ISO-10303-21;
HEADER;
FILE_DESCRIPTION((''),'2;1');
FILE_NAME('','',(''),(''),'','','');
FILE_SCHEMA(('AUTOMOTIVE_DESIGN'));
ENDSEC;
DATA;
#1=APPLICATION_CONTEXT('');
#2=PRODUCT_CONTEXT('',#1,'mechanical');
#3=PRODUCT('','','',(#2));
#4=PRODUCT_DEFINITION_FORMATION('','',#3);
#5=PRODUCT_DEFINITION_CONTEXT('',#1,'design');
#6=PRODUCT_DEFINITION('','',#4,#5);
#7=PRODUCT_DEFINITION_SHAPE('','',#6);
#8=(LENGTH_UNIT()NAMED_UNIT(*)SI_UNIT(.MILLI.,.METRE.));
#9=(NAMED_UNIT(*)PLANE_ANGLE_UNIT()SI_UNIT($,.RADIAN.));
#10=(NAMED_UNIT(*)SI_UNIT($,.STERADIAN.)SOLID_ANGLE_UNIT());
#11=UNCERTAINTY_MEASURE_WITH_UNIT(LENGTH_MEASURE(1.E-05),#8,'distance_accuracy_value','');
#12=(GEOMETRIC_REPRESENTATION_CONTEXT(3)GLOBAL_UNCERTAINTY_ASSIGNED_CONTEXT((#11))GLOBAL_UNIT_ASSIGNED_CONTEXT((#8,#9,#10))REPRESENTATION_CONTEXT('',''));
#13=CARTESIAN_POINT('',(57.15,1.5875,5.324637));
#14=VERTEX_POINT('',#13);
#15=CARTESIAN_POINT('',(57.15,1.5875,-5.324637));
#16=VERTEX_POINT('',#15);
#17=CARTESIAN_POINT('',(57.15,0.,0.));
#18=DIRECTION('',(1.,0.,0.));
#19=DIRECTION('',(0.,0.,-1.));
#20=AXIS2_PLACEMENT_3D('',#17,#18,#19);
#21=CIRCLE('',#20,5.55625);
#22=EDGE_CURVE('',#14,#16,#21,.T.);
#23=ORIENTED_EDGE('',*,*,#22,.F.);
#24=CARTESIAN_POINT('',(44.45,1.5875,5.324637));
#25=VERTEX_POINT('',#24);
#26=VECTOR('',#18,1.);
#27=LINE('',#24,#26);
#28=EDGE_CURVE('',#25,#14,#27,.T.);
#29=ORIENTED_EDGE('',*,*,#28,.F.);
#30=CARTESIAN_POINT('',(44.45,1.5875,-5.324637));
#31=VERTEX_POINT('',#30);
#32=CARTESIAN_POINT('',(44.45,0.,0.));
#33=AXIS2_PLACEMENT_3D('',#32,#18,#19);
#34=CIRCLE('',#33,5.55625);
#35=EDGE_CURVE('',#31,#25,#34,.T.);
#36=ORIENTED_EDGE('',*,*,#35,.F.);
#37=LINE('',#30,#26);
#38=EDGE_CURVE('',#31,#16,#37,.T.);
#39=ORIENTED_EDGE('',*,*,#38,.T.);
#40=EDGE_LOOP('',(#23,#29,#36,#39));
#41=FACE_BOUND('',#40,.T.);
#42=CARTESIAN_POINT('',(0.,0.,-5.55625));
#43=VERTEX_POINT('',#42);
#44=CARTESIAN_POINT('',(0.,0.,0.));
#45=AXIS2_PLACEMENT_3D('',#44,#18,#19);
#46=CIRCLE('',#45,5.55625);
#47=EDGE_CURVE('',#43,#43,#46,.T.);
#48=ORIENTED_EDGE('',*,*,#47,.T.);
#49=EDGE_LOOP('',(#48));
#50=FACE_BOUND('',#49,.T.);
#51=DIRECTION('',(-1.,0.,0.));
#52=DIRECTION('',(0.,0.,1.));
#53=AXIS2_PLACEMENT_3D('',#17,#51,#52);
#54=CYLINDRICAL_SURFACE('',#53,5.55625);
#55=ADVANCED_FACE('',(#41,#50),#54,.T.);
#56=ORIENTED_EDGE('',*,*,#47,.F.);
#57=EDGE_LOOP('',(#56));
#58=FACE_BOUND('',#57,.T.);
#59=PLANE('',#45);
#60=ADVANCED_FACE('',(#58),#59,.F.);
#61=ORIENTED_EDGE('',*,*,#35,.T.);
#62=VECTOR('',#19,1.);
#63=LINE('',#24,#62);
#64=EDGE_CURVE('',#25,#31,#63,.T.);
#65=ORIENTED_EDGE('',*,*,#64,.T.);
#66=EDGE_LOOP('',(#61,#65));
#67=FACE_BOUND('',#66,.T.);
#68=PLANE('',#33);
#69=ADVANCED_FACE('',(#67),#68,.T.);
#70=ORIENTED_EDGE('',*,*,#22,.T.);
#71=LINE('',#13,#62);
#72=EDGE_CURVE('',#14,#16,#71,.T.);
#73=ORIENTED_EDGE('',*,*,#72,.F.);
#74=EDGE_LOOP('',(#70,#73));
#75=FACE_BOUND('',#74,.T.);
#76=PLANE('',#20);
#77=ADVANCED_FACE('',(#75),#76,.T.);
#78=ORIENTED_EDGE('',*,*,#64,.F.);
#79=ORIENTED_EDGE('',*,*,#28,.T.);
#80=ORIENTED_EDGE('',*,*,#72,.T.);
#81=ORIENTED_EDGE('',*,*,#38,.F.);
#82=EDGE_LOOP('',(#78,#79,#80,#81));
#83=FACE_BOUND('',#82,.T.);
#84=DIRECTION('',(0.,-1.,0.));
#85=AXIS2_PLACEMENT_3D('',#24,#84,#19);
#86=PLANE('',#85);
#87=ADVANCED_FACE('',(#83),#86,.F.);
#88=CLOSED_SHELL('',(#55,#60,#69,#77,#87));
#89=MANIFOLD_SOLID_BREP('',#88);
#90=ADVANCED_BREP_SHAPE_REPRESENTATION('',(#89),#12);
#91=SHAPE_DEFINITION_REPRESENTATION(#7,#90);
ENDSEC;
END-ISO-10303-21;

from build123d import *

# Parameters (mm, degrees)
SKETCH1_R          = 5.55625
BASE_EXTRUDE_DEPTH = 57.15
CUT_EXTRUDE1_DEPTH = 12.7


with BuildPart() as part:
    # Sketch1 → Base-Extrude (new body)
    with BuildSketch(Plane(origin=(0, 0, 0), x_dir=(0, 0, -1), z_dir=(1, 0, 0))):
        Circle(SKETCH1_R)
    extrude(amount=BASE_EXTRUDE_DEPTH)

    # Sketch2 → Cut-Extrude1 (cut)
    with BuildSketch(Plane(origin=(57.15, 0, 0), x_dir=(0, 0, -1), z_dir=(1, 0, 0))):
        with BuildLine():
            Line((-5.324636871, 1.5875), (5.324636871, 1.5875))
            ThreePointArc((5.324636871, 1.5875), (0, 5.55625), (-5.324636871, 1.5875))
        make_face()
    extrude(amount=-CUT_EXTRUDE1_DEPTH, mode=Mode.SUBTRACT)


solid = part.part
